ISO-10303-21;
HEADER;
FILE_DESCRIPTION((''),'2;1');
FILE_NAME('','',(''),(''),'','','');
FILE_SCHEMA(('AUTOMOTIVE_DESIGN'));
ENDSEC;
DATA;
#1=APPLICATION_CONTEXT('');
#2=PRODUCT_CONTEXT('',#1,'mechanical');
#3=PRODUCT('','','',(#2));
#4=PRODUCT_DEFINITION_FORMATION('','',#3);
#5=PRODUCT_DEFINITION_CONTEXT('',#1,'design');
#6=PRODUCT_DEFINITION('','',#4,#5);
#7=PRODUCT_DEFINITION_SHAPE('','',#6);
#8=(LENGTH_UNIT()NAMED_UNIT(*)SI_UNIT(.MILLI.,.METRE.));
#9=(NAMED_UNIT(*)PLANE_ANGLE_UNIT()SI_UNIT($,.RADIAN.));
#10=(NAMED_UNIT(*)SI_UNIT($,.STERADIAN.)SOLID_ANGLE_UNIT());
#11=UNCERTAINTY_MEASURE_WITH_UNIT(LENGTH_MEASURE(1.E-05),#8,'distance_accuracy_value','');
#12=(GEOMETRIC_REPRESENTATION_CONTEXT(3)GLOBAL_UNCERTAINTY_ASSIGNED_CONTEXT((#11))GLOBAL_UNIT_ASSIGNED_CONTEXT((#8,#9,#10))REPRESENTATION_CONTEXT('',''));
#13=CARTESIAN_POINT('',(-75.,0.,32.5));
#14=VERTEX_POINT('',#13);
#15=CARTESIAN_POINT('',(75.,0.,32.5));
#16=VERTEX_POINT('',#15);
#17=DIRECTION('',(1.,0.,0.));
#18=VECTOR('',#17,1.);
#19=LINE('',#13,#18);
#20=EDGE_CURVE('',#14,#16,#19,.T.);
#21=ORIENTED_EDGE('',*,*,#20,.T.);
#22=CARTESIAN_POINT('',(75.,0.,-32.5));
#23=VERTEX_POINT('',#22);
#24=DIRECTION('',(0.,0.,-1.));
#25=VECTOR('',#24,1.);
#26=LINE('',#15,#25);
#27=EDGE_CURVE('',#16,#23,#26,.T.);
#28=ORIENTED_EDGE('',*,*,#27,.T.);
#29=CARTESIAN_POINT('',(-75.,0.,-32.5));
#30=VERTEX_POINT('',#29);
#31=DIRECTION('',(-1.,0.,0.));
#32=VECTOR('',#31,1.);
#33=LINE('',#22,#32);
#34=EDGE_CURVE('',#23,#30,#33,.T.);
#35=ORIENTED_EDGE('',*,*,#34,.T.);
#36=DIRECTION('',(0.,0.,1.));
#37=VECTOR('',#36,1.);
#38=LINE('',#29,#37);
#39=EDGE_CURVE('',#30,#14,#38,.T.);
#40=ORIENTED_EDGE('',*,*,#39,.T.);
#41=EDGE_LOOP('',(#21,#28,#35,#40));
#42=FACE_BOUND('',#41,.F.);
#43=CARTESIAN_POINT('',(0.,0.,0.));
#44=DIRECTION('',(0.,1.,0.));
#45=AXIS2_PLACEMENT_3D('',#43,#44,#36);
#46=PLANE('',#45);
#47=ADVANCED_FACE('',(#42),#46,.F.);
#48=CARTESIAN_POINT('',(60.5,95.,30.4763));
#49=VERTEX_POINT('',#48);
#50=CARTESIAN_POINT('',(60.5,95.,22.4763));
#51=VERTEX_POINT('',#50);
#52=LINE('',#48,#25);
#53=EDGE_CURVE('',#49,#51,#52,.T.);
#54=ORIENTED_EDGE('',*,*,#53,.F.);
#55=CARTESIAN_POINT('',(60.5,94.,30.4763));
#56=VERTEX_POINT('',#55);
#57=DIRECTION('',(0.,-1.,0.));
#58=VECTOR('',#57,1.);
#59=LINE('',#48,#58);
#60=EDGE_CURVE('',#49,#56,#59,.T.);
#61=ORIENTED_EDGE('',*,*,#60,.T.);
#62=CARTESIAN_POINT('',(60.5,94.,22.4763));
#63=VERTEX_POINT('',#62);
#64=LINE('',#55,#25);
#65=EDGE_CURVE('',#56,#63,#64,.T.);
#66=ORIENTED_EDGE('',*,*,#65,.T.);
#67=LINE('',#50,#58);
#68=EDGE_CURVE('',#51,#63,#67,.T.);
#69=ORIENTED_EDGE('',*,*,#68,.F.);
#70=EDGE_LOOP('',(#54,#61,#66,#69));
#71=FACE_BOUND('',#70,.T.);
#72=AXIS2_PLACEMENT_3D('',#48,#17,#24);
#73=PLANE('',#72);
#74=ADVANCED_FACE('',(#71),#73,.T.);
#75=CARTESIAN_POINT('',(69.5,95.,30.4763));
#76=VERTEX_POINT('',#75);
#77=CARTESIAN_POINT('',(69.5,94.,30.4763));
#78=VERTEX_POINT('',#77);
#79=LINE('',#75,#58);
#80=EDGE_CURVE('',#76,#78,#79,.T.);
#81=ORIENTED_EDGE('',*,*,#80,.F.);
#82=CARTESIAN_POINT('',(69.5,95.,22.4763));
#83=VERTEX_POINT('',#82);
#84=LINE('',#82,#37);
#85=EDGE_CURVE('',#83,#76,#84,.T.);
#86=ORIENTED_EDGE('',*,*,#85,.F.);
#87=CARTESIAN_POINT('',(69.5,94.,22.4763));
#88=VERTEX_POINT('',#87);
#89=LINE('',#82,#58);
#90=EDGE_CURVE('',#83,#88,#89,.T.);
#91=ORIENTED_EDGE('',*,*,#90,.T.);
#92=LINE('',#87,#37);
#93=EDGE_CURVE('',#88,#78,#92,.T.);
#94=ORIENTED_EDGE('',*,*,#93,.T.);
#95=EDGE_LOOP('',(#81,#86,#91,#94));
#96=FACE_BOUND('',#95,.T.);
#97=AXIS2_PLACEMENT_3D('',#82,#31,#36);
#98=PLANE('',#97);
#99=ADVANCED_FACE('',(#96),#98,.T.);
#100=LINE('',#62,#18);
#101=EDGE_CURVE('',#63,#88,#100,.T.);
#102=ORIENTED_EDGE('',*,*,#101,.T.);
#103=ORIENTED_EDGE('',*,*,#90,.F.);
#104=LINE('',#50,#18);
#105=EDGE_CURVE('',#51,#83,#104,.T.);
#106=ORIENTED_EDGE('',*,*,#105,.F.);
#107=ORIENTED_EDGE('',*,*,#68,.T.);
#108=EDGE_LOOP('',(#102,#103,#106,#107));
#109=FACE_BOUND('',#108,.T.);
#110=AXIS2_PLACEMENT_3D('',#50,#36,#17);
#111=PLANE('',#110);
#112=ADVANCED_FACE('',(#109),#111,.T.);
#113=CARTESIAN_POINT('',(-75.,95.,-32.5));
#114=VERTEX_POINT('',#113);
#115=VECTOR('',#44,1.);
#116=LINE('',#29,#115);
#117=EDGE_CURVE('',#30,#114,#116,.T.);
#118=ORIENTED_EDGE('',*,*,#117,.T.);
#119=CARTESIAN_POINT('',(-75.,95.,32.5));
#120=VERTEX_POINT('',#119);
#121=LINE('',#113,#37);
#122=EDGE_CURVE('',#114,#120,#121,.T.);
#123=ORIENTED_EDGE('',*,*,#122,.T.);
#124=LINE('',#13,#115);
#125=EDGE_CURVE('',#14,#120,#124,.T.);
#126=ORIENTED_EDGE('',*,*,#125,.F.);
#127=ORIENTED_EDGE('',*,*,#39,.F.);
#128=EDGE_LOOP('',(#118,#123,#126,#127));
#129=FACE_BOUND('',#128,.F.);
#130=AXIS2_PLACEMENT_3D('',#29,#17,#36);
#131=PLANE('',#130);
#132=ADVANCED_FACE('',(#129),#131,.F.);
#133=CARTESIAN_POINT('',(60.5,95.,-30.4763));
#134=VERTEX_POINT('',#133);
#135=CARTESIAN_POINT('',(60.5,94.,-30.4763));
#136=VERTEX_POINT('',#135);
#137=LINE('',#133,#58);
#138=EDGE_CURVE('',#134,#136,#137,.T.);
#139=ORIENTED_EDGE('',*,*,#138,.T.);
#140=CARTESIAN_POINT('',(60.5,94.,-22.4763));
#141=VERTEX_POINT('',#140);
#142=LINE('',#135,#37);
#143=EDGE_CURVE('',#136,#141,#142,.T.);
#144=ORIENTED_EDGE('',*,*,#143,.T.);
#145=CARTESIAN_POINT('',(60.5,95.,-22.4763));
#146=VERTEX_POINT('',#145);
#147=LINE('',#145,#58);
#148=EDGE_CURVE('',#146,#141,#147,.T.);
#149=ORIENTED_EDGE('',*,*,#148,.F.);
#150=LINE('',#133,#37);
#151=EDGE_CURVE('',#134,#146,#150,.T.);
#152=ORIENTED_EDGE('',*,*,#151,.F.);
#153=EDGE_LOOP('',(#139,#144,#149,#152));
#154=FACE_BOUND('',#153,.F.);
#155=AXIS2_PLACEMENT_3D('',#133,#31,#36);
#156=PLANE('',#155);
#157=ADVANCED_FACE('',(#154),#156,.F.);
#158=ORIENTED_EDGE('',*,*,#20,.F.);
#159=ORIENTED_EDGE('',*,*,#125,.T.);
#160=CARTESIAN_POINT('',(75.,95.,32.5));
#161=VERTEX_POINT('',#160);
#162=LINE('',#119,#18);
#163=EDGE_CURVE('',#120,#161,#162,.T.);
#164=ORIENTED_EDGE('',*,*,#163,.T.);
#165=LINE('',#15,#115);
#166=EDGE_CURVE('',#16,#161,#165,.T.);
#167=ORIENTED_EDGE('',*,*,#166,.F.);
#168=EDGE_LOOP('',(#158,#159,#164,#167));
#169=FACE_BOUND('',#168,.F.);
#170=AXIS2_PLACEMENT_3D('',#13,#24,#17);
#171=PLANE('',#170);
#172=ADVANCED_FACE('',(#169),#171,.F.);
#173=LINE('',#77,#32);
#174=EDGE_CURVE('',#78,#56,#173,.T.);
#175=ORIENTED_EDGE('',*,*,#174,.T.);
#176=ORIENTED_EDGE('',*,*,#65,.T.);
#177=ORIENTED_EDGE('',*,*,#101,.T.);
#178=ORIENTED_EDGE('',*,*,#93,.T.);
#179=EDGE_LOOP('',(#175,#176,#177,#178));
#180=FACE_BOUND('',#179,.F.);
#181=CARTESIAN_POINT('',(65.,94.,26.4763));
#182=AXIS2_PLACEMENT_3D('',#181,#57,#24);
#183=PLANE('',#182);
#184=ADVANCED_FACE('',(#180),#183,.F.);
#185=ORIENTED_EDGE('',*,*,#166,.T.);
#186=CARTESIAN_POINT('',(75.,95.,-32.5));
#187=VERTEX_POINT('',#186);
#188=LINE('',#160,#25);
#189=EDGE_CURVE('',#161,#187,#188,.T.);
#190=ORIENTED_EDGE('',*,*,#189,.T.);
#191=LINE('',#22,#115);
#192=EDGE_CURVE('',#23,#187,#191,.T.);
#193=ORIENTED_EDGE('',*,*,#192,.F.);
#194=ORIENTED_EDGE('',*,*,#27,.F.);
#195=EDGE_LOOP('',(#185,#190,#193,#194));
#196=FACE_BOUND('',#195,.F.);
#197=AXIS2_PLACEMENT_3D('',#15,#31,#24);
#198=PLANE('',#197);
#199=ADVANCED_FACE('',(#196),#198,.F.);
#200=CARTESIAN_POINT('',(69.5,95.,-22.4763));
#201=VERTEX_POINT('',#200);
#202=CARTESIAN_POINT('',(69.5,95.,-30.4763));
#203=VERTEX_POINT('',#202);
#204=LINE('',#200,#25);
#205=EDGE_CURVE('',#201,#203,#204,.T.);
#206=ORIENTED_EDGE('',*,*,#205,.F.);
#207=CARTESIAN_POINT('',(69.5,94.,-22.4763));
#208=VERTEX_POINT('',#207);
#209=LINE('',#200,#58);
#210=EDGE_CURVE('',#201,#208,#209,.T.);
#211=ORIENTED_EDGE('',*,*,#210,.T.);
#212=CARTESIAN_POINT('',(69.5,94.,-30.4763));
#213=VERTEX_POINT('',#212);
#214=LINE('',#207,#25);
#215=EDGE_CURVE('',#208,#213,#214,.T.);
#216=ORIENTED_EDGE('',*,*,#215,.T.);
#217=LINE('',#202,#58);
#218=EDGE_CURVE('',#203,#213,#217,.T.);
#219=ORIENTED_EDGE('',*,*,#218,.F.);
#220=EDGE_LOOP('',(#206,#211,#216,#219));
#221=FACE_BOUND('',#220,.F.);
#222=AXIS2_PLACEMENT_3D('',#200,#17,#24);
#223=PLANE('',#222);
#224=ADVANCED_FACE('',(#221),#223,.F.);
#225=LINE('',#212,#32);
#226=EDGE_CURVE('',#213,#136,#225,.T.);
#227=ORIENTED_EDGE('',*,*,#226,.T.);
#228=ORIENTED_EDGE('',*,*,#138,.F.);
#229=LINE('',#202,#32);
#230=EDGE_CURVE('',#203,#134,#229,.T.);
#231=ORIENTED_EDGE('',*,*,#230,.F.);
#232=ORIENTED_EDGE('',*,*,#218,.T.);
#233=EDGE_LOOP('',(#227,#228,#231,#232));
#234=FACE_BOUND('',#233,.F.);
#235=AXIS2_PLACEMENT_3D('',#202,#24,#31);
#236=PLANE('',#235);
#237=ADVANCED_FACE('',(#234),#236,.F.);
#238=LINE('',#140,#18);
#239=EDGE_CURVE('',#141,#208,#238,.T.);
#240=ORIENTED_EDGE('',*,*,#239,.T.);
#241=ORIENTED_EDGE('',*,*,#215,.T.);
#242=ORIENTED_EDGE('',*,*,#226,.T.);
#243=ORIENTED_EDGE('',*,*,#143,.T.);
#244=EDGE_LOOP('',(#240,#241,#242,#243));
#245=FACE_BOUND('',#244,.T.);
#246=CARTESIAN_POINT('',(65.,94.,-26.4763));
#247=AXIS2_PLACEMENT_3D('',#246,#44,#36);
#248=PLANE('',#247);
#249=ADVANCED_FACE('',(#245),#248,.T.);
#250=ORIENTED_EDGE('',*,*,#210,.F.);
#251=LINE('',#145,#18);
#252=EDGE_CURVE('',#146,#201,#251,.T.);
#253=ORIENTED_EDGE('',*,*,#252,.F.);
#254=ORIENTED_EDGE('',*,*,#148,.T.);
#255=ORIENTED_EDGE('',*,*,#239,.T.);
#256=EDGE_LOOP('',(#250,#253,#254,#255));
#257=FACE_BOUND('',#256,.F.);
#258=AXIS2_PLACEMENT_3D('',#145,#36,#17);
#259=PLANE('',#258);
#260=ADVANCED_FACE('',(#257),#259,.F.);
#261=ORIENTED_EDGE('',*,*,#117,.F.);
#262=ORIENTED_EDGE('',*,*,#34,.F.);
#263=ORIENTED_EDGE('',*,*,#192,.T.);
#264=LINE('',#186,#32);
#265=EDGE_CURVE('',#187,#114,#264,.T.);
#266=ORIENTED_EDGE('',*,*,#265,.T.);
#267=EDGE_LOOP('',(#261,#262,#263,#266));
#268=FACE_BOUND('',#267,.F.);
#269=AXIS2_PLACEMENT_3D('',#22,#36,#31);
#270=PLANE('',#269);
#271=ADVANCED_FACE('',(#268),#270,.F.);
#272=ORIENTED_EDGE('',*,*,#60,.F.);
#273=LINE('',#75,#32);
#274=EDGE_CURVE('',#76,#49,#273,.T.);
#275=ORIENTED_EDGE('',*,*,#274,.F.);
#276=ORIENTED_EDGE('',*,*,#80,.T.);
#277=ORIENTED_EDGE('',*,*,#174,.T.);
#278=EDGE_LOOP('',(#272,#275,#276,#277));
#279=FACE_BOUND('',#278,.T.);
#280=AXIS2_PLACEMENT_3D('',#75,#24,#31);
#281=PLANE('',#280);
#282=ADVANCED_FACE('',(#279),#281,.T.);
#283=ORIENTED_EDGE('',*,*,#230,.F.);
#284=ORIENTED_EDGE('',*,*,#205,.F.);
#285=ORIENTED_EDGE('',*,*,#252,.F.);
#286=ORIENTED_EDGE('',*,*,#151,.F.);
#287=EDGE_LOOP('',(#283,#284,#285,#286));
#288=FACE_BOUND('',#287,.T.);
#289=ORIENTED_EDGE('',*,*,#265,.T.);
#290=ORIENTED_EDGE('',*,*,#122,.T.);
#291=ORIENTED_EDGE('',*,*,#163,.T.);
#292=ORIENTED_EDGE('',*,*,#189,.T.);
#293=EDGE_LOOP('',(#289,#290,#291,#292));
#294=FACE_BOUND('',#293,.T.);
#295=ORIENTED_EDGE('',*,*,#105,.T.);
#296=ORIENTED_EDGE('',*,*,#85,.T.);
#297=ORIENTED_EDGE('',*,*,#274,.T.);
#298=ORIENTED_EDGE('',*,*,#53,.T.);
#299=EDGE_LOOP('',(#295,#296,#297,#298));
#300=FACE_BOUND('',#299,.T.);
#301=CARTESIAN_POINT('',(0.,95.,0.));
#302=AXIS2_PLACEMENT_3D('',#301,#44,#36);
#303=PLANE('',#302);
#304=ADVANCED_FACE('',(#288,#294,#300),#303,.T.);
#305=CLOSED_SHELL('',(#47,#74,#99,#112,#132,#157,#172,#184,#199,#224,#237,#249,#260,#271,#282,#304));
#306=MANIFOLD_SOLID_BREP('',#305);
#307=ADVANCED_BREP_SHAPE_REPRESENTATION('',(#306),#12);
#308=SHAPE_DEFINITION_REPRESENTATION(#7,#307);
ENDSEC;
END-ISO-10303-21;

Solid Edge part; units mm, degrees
sketch "Sketch1" plane through (0, 0, 0) normal (0, -1, 0) x (1, 0, 0)
  line L0 (75, -32.5) -> (-75, -32.5)
  line L1 (-75, -32.5) -> (-75, 32.5)
  line L2 (-75, 32.5) -> (75, 32.5)
  line L3 (75, 32.5) -> (75, -32.5)
extrude "Protrusion1" add sketch "Sketch1" against normal blind 95
sketch "Sketch2" plane through (0, 95, 0) normal (0, 1, 0) x (-1, 0, 0)
  line L0 (-69.5, 22.4763) -> (-69.5, 30.4763)
  line L1 (-69.5, 30.4763) -> (-60.5, 30.4763)
  line L2 (-60.5, 30.4763) -> (-60.5, 22.4763)
  line L3 (-60.5, 22.4763) -> (-69.5, 22.4763)
  line L4 (-60.5, -30.4763) -> (-60.5, -22.4763)
  line L5 (-60.5, -22.4763) -> (-69.5, -22.4763)
  line L6 (-69.5, -22.4763) -> (-69.5, -30.4763)
  line L7 (-69.5, -30.4763) -> (-60.5, -30.4763)
  dimension "D1" = 10
  dimension "D2" = 8
  dimension "D3" = 9
extrude "ExtrudedCutout_2" cut sketch "Sketch2" against normal blind 1
